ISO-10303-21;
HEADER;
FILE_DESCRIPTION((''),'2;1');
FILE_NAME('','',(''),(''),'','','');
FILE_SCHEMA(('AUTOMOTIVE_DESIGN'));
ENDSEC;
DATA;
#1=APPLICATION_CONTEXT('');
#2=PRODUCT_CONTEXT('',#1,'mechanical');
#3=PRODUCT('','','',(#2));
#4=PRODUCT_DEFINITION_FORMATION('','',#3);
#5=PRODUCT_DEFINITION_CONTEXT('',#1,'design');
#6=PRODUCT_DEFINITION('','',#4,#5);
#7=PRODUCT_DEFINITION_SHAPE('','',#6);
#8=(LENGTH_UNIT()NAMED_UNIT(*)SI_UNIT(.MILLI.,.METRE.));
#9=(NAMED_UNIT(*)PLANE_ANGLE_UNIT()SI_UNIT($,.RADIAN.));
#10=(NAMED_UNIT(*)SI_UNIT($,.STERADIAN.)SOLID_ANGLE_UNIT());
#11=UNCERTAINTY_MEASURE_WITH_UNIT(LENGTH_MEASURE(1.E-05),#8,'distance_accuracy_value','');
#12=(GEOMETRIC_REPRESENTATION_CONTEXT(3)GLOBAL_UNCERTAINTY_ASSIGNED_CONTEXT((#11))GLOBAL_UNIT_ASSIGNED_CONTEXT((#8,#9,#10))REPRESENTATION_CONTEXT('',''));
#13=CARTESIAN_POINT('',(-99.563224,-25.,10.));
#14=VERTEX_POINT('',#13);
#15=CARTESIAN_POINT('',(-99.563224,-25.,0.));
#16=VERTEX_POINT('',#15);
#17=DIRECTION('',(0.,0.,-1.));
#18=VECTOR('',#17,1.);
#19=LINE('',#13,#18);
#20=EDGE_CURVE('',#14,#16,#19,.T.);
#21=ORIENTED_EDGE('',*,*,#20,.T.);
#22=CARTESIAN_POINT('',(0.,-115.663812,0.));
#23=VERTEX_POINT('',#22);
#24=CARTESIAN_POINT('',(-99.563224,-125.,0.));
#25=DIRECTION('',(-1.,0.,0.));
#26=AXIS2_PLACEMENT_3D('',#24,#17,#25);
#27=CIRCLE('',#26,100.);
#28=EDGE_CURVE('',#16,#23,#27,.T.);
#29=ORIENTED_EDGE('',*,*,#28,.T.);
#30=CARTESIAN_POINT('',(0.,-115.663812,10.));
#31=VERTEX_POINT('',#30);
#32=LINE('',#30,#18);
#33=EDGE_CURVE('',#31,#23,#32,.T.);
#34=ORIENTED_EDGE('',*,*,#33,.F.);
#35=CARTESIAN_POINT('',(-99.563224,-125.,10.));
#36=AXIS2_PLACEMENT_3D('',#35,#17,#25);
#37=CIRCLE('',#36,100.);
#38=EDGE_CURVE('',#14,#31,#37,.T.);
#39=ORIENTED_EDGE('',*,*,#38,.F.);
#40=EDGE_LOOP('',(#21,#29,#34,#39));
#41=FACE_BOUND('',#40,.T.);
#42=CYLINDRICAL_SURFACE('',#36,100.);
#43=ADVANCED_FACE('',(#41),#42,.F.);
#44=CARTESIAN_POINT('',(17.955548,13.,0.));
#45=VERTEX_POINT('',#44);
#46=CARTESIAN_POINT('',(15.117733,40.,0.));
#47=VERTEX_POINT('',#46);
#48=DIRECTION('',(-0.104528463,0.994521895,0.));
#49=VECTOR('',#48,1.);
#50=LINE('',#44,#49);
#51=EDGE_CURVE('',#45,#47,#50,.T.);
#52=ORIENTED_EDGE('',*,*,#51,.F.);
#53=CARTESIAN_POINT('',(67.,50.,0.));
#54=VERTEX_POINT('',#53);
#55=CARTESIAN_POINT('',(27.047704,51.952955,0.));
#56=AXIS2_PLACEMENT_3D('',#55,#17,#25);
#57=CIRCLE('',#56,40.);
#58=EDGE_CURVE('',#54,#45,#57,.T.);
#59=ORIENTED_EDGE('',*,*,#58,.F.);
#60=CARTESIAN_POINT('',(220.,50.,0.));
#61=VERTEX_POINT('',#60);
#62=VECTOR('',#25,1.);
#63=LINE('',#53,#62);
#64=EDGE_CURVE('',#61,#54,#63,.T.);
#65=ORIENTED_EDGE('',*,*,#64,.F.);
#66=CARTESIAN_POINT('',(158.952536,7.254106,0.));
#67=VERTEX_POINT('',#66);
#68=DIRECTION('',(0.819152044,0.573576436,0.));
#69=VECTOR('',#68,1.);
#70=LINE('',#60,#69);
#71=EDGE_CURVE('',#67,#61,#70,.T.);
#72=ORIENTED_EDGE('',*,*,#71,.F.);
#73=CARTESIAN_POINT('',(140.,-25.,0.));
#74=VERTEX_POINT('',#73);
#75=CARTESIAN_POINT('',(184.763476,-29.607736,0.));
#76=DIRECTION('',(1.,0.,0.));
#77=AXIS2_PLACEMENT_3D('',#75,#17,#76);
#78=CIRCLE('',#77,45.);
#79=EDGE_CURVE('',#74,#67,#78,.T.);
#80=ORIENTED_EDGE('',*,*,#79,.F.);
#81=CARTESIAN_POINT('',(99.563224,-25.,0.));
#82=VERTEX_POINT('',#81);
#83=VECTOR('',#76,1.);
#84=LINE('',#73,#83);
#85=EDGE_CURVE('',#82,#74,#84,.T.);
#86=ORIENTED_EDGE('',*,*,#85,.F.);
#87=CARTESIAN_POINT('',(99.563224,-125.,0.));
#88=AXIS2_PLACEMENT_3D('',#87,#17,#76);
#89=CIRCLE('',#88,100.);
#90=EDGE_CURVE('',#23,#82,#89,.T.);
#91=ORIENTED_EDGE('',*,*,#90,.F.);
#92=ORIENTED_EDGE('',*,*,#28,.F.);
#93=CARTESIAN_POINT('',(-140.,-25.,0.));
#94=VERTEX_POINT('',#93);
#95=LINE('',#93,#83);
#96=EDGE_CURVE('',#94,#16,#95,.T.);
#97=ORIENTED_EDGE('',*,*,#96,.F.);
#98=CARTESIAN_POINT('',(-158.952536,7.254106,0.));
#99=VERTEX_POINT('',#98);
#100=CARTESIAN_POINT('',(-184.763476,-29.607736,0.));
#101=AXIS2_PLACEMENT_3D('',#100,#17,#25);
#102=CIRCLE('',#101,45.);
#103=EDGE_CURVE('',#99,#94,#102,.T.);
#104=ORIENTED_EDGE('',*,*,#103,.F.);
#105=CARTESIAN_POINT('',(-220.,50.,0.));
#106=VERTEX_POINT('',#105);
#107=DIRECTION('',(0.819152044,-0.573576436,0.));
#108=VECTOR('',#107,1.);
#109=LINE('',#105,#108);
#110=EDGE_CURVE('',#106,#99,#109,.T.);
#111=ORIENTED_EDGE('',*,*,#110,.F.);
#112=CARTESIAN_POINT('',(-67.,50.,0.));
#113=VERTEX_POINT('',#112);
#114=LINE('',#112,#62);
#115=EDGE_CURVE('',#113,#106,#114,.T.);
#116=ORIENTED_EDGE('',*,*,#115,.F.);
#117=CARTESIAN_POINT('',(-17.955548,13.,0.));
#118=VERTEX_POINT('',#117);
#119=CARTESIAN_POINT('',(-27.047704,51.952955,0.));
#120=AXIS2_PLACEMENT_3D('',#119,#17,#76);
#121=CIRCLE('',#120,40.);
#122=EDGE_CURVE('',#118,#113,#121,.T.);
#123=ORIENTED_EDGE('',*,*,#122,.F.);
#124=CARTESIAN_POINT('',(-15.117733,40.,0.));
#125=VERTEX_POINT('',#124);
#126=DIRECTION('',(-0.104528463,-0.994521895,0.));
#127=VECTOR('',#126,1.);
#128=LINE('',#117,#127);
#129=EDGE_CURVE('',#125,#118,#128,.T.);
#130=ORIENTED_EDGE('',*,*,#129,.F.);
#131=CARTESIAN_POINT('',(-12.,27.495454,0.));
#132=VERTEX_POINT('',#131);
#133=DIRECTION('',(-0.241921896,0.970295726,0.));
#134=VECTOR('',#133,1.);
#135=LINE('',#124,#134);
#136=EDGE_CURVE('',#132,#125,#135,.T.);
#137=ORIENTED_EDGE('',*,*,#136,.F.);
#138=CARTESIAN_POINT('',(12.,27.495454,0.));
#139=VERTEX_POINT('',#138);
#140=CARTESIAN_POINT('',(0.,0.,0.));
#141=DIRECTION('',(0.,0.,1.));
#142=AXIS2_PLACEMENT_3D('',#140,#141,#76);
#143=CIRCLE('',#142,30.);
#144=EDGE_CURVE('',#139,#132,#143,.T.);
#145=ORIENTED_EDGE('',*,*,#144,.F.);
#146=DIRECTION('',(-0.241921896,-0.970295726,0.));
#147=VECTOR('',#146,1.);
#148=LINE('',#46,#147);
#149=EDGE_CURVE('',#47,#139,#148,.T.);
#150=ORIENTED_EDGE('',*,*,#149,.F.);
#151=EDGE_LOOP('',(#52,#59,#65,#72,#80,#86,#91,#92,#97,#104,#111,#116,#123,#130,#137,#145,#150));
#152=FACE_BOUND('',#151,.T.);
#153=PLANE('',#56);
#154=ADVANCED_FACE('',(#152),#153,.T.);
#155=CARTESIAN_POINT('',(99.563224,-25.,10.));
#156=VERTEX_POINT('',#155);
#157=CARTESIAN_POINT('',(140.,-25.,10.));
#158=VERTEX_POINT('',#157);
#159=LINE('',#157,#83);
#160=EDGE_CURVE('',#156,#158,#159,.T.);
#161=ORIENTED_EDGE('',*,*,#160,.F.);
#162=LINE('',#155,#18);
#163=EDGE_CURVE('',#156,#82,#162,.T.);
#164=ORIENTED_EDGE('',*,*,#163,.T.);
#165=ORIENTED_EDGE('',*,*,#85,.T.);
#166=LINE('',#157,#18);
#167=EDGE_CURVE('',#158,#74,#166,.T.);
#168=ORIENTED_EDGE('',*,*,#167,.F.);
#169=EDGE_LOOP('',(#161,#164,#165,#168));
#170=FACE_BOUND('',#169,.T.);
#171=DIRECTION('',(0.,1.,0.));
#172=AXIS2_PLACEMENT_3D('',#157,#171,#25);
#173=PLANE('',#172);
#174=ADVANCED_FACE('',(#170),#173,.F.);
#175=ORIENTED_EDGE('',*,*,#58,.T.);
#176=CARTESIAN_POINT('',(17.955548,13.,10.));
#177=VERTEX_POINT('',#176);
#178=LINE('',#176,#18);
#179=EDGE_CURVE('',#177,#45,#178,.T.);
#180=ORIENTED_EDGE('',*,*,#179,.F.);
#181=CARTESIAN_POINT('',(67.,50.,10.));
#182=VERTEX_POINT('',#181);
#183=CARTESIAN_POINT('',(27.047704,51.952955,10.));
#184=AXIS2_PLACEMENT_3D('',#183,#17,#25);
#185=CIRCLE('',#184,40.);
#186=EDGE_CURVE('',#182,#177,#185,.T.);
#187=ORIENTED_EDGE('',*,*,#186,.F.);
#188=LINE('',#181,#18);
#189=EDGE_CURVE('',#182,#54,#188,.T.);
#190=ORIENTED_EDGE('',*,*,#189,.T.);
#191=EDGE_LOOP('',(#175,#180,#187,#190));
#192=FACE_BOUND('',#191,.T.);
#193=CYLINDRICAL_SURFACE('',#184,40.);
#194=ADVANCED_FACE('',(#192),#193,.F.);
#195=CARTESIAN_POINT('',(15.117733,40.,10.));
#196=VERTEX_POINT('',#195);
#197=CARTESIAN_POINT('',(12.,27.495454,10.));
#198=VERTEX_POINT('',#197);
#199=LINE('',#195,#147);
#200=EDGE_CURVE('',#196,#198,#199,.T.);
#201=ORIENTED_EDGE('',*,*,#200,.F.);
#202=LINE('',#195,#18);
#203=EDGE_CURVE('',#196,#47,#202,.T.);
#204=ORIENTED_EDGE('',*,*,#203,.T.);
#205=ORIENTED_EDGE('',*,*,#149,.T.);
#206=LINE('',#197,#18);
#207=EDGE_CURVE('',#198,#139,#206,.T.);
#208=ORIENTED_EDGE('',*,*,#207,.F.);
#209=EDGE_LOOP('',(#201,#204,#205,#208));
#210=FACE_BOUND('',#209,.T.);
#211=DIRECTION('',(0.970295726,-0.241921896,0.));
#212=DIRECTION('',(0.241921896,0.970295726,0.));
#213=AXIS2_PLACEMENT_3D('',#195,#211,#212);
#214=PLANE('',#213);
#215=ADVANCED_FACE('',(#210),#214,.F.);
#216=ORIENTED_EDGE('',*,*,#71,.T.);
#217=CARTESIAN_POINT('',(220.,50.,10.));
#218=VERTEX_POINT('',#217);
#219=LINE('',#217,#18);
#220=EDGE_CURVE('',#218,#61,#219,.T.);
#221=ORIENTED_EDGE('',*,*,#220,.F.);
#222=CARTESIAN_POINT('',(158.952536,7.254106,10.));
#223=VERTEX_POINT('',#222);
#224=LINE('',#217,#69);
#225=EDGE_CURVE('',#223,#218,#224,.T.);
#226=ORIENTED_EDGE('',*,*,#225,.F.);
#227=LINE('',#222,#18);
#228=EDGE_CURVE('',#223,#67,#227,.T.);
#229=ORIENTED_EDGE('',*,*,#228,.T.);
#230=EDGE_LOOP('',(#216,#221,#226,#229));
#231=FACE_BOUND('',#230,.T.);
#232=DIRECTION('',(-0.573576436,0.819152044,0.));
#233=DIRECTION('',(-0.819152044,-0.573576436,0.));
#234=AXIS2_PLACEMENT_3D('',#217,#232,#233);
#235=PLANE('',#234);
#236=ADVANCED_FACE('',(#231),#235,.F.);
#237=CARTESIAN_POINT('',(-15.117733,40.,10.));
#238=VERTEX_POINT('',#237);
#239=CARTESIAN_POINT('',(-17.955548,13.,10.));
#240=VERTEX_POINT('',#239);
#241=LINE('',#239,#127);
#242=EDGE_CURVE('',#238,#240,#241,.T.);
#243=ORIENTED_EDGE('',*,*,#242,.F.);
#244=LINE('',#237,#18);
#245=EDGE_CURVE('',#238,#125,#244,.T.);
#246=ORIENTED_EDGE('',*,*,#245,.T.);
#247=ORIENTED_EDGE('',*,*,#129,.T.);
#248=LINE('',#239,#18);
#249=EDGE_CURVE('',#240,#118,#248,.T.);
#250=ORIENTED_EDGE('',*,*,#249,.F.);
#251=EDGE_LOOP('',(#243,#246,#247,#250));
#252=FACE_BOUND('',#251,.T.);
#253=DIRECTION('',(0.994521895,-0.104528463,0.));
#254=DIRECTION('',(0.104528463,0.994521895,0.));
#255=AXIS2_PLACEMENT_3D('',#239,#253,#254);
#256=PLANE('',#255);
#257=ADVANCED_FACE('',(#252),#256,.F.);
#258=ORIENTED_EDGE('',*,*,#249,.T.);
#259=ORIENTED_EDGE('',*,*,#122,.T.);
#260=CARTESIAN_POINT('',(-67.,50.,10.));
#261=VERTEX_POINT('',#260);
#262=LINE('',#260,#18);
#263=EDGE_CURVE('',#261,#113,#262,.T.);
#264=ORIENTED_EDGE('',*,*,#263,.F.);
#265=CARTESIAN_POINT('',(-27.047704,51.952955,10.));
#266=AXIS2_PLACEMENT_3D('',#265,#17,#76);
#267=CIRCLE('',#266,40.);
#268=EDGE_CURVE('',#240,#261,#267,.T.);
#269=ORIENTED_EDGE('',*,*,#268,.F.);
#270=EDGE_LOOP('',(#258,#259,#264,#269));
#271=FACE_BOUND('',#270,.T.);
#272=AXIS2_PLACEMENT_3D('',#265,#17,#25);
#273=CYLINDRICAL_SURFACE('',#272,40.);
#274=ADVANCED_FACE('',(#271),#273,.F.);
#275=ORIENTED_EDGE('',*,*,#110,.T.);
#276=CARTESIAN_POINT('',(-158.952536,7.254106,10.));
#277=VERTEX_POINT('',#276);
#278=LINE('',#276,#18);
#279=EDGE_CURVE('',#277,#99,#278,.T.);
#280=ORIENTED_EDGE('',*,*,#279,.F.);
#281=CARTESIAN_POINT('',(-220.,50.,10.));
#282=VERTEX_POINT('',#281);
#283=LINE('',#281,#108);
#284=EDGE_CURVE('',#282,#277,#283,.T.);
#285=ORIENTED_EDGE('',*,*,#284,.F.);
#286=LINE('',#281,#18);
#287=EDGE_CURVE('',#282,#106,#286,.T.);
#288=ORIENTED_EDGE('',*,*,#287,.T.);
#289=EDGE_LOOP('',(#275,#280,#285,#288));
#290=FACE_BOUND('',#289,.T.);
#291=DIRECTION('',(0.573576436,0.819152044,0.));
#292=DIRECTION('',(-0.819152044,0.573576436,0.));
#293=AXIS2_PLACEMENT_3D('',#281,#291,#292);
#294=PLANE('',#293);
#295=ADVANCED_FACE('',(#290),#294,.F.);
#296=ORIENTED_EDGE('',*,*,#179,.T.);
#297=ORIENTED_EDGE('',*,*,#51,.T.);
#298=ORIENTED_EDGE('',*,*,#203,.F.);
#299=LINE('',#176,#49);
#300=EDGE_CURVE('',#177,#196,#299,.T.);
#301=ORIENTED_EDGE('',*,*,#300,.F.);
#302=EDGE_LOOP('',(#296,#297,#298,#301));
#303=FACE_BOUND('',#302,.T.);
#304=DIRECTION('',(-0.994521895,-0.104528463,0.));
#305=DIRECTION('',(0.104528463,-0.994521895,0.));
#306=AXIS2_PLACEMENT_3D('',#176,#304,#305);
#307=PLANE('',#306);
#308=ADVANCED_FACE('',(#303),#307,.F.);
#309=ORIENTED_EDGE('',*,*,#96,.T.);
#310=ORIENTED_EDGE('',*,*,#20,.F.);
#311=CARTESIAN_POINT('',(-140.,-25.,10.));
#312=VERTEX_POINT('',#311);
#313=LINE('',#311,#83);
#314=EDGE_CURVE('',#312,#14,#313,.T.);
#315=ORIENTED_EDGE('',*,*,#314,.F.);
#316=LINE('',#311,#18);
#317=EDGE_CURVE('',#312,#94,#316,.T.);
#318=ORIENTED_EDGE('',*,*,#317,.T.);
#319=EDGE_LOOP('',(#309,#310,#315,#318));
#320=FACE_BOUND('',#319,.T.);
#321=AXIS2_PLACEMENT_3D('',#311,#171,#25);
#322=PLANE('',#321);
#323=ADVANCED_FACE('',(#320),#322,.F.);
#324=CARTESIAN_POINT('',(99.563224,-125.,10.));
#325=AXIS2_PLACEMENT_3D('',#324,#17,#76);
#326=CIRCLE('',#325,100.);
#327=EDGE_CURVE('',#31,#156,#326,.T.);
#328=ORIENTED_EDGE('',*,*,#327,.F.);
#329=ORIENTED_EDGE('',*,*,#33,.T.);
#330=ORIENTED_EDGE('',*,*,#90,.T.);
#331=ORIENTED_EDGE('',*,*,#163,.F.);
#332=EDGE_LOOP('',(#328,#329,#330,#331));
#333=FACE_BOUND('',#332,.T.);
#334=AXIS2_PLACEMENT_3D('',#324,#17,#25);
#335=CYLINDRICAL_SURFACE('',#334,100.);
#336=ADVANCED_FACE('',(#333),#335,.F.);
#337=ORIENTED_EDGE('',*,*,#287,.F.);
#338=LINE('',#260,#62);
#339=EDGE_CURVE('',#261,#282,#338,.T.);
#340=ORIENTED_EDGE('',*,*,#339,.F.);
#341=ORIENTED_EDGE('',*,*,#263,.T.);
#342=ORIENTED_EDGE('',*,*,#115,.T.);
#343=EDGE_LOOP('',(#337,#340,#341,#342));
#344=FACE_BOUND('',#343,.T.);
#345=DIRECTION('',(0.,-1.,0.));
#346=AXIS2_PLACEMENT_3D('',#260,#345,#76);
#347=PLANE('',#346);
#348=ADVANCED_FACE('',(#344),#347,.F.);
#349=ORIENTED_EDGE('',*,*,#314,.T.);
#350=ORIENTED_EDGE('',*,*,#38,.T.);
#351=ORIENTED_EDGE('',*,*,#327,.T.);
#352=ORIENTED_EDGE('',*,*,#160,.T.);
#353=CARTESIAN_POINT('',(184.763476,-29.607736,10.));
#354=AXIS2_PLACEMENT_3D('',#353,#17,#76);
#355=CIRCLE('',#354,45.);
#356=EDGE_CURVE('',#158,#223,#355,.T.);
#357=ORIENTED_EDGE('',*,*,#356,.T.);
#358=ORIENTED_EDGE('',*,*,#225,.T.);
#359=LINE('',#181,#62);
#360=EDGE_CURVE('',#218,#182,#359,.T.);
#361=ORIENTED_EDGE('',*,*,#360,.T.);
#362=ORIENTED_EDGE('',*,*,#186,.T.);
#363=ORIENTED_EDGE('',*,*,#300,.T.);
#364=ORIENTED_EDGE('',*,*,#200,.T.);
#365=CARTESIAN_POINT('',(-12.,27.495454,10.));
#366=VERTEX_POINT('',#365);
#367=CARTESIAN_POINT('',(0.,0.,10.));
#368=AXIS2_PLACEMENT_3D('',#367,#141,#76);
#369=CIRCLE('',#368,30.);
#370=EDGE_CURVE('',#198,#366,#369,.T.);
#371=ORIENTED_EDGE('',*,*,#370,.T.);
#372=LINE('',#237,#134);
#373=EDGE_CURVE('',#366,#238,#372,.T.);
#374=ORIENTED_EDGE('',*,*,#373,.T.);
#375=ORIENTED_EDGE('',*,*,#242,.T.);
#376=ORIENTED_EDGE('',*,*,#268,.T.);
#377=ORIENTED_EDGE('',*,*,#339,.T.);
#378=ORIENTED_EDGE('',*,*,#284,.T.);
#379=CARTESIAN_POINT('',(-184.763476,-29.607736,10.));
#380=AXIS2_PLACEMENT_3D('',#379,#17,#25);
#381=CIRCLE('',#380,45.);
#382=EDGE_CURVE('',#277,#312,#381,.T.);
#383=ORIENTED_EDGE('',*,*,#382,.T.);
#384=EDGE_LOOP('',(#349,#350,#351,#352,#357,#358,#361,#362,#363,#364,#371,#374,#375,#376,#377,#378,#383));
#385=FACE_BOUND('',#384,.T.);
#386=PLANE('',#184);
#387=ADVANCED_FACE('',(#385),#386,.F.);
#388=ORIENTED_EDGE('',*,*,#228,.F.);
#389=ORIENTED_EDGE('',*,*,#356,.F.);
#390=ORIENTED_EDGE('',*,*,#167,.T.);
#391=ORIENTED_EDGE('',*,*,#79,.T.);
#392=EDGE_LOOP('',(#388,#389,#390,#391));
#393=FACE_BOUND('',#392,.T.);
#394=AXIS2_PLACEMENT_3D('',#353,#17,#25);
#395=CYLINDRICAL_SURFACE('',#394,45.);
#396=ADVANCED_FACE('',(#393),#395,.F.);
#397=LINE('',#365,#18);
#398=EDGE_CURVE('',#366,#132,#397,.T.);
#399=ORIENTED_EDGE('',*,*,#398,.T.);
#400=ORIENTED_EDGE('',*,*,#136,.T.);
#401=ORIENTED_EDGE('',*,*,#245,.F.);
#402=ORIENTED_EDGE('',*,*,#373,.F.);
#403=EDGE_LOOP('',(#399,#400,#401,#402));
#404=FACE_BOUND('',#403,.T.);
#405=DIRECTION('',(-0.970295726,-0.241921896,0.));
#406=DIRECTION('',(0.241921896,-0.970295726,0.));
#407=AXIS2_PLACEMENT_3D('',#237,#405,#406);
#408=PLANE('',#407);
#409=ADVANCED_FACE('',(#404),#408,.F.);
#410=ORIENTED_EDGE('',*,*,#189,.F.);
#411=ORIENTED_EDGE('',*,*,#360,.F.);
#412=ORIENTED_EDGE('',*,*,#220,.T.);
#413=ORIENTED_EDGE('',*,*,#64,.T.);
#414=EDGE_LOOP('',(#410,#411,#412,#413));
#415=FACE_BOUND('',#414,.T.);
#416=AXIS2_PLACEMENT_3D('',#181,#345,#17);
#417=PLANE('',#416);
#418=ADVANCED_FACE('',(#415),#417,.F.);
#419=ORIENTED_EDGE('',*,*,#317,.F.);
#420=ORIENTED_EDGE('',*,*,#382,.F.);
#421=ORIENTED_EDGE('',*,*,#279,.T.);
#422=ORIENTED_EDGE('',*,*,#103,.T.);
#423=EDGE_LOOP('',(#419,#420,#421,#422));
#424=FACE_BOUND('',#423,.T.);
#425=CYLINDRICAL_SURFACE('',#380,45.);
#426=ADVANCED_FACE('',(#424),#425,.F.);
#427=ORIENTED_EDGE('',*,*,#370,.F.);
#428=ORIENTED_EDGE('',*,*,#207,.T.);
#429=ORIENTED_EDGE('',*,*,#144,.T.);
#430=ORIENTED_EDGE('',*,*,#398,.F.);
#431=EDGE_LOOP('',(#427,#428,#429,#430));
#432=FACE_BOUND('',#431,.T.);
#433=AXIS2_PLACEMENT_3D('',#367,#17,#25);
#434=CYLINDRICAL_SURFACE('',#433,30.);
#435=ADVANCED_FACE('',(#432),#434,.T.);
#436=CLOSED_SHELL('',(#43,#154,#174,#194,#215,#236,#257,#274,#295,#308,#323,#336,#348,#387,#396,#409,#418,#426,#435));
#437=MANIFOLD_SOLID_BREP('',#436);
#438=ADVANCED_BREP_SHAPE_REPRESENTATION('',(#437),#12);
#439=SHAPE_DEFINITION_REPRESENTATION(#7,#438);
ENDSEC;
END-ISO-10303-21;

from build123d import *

# Parameters (mm, degrees)
BOSS_EXTRUDE1_DEPTH = 10


with BuildPart() as part:
    # Sketch1 → Boss-Extrude1 (new body)
    with BuildSketch(Plane.XY):
        with BuildLine():
            Line((67, 50), (220, 50))
            Line((220, 50), (158.952536164, 7.254105633))
            ThreePointArc((158.952536164, 7.254105633), (145.965681261, -6.810123789), (140, -25))
            Line((140, -25), (99.563224144, -25))
            ThreePointArc((99.563224144, -25), (32.234251016, -51.062124878), (0, -115.663812449))
            ThreePointArc((0, -115.663812449), (-32.234251016, -51.062124878), (-99.563224144, -25))
            Line((-99.563224144, -25), (-140, -25))
            ThreePointArc((-140, -25), (-145.965681261, -6.810123789), (-158.952536164, 7.254105633))
            Line((-158.952536164, 7.254105633), (-220, 50))
            Line((-220, 50), (-67, 50))
            ThreePointArc((-67, 50), (-51.137889855, 20.020793424), (-17.95554779, 13))
            Line((-17.95554779, 13), (-15.117733438, 40))
            Line((-15.117733438, 40), (-12, 27.49545417))
            ThreePointArc((-12, 27.49545417), (0, 30), (12, 27.49545417))
            Line((12, 27.49545417), (15.117733438, 40))
            Line((15.117733438, 40), (17.95554779, 13))
            ThreePointArc((17.95554779, 13), (51.137889855, 20.020793424), (67, 50))
        make_face()
    extrude(amount=BOSS_EXTRUDE1_DEPTH)


solid = part.part
